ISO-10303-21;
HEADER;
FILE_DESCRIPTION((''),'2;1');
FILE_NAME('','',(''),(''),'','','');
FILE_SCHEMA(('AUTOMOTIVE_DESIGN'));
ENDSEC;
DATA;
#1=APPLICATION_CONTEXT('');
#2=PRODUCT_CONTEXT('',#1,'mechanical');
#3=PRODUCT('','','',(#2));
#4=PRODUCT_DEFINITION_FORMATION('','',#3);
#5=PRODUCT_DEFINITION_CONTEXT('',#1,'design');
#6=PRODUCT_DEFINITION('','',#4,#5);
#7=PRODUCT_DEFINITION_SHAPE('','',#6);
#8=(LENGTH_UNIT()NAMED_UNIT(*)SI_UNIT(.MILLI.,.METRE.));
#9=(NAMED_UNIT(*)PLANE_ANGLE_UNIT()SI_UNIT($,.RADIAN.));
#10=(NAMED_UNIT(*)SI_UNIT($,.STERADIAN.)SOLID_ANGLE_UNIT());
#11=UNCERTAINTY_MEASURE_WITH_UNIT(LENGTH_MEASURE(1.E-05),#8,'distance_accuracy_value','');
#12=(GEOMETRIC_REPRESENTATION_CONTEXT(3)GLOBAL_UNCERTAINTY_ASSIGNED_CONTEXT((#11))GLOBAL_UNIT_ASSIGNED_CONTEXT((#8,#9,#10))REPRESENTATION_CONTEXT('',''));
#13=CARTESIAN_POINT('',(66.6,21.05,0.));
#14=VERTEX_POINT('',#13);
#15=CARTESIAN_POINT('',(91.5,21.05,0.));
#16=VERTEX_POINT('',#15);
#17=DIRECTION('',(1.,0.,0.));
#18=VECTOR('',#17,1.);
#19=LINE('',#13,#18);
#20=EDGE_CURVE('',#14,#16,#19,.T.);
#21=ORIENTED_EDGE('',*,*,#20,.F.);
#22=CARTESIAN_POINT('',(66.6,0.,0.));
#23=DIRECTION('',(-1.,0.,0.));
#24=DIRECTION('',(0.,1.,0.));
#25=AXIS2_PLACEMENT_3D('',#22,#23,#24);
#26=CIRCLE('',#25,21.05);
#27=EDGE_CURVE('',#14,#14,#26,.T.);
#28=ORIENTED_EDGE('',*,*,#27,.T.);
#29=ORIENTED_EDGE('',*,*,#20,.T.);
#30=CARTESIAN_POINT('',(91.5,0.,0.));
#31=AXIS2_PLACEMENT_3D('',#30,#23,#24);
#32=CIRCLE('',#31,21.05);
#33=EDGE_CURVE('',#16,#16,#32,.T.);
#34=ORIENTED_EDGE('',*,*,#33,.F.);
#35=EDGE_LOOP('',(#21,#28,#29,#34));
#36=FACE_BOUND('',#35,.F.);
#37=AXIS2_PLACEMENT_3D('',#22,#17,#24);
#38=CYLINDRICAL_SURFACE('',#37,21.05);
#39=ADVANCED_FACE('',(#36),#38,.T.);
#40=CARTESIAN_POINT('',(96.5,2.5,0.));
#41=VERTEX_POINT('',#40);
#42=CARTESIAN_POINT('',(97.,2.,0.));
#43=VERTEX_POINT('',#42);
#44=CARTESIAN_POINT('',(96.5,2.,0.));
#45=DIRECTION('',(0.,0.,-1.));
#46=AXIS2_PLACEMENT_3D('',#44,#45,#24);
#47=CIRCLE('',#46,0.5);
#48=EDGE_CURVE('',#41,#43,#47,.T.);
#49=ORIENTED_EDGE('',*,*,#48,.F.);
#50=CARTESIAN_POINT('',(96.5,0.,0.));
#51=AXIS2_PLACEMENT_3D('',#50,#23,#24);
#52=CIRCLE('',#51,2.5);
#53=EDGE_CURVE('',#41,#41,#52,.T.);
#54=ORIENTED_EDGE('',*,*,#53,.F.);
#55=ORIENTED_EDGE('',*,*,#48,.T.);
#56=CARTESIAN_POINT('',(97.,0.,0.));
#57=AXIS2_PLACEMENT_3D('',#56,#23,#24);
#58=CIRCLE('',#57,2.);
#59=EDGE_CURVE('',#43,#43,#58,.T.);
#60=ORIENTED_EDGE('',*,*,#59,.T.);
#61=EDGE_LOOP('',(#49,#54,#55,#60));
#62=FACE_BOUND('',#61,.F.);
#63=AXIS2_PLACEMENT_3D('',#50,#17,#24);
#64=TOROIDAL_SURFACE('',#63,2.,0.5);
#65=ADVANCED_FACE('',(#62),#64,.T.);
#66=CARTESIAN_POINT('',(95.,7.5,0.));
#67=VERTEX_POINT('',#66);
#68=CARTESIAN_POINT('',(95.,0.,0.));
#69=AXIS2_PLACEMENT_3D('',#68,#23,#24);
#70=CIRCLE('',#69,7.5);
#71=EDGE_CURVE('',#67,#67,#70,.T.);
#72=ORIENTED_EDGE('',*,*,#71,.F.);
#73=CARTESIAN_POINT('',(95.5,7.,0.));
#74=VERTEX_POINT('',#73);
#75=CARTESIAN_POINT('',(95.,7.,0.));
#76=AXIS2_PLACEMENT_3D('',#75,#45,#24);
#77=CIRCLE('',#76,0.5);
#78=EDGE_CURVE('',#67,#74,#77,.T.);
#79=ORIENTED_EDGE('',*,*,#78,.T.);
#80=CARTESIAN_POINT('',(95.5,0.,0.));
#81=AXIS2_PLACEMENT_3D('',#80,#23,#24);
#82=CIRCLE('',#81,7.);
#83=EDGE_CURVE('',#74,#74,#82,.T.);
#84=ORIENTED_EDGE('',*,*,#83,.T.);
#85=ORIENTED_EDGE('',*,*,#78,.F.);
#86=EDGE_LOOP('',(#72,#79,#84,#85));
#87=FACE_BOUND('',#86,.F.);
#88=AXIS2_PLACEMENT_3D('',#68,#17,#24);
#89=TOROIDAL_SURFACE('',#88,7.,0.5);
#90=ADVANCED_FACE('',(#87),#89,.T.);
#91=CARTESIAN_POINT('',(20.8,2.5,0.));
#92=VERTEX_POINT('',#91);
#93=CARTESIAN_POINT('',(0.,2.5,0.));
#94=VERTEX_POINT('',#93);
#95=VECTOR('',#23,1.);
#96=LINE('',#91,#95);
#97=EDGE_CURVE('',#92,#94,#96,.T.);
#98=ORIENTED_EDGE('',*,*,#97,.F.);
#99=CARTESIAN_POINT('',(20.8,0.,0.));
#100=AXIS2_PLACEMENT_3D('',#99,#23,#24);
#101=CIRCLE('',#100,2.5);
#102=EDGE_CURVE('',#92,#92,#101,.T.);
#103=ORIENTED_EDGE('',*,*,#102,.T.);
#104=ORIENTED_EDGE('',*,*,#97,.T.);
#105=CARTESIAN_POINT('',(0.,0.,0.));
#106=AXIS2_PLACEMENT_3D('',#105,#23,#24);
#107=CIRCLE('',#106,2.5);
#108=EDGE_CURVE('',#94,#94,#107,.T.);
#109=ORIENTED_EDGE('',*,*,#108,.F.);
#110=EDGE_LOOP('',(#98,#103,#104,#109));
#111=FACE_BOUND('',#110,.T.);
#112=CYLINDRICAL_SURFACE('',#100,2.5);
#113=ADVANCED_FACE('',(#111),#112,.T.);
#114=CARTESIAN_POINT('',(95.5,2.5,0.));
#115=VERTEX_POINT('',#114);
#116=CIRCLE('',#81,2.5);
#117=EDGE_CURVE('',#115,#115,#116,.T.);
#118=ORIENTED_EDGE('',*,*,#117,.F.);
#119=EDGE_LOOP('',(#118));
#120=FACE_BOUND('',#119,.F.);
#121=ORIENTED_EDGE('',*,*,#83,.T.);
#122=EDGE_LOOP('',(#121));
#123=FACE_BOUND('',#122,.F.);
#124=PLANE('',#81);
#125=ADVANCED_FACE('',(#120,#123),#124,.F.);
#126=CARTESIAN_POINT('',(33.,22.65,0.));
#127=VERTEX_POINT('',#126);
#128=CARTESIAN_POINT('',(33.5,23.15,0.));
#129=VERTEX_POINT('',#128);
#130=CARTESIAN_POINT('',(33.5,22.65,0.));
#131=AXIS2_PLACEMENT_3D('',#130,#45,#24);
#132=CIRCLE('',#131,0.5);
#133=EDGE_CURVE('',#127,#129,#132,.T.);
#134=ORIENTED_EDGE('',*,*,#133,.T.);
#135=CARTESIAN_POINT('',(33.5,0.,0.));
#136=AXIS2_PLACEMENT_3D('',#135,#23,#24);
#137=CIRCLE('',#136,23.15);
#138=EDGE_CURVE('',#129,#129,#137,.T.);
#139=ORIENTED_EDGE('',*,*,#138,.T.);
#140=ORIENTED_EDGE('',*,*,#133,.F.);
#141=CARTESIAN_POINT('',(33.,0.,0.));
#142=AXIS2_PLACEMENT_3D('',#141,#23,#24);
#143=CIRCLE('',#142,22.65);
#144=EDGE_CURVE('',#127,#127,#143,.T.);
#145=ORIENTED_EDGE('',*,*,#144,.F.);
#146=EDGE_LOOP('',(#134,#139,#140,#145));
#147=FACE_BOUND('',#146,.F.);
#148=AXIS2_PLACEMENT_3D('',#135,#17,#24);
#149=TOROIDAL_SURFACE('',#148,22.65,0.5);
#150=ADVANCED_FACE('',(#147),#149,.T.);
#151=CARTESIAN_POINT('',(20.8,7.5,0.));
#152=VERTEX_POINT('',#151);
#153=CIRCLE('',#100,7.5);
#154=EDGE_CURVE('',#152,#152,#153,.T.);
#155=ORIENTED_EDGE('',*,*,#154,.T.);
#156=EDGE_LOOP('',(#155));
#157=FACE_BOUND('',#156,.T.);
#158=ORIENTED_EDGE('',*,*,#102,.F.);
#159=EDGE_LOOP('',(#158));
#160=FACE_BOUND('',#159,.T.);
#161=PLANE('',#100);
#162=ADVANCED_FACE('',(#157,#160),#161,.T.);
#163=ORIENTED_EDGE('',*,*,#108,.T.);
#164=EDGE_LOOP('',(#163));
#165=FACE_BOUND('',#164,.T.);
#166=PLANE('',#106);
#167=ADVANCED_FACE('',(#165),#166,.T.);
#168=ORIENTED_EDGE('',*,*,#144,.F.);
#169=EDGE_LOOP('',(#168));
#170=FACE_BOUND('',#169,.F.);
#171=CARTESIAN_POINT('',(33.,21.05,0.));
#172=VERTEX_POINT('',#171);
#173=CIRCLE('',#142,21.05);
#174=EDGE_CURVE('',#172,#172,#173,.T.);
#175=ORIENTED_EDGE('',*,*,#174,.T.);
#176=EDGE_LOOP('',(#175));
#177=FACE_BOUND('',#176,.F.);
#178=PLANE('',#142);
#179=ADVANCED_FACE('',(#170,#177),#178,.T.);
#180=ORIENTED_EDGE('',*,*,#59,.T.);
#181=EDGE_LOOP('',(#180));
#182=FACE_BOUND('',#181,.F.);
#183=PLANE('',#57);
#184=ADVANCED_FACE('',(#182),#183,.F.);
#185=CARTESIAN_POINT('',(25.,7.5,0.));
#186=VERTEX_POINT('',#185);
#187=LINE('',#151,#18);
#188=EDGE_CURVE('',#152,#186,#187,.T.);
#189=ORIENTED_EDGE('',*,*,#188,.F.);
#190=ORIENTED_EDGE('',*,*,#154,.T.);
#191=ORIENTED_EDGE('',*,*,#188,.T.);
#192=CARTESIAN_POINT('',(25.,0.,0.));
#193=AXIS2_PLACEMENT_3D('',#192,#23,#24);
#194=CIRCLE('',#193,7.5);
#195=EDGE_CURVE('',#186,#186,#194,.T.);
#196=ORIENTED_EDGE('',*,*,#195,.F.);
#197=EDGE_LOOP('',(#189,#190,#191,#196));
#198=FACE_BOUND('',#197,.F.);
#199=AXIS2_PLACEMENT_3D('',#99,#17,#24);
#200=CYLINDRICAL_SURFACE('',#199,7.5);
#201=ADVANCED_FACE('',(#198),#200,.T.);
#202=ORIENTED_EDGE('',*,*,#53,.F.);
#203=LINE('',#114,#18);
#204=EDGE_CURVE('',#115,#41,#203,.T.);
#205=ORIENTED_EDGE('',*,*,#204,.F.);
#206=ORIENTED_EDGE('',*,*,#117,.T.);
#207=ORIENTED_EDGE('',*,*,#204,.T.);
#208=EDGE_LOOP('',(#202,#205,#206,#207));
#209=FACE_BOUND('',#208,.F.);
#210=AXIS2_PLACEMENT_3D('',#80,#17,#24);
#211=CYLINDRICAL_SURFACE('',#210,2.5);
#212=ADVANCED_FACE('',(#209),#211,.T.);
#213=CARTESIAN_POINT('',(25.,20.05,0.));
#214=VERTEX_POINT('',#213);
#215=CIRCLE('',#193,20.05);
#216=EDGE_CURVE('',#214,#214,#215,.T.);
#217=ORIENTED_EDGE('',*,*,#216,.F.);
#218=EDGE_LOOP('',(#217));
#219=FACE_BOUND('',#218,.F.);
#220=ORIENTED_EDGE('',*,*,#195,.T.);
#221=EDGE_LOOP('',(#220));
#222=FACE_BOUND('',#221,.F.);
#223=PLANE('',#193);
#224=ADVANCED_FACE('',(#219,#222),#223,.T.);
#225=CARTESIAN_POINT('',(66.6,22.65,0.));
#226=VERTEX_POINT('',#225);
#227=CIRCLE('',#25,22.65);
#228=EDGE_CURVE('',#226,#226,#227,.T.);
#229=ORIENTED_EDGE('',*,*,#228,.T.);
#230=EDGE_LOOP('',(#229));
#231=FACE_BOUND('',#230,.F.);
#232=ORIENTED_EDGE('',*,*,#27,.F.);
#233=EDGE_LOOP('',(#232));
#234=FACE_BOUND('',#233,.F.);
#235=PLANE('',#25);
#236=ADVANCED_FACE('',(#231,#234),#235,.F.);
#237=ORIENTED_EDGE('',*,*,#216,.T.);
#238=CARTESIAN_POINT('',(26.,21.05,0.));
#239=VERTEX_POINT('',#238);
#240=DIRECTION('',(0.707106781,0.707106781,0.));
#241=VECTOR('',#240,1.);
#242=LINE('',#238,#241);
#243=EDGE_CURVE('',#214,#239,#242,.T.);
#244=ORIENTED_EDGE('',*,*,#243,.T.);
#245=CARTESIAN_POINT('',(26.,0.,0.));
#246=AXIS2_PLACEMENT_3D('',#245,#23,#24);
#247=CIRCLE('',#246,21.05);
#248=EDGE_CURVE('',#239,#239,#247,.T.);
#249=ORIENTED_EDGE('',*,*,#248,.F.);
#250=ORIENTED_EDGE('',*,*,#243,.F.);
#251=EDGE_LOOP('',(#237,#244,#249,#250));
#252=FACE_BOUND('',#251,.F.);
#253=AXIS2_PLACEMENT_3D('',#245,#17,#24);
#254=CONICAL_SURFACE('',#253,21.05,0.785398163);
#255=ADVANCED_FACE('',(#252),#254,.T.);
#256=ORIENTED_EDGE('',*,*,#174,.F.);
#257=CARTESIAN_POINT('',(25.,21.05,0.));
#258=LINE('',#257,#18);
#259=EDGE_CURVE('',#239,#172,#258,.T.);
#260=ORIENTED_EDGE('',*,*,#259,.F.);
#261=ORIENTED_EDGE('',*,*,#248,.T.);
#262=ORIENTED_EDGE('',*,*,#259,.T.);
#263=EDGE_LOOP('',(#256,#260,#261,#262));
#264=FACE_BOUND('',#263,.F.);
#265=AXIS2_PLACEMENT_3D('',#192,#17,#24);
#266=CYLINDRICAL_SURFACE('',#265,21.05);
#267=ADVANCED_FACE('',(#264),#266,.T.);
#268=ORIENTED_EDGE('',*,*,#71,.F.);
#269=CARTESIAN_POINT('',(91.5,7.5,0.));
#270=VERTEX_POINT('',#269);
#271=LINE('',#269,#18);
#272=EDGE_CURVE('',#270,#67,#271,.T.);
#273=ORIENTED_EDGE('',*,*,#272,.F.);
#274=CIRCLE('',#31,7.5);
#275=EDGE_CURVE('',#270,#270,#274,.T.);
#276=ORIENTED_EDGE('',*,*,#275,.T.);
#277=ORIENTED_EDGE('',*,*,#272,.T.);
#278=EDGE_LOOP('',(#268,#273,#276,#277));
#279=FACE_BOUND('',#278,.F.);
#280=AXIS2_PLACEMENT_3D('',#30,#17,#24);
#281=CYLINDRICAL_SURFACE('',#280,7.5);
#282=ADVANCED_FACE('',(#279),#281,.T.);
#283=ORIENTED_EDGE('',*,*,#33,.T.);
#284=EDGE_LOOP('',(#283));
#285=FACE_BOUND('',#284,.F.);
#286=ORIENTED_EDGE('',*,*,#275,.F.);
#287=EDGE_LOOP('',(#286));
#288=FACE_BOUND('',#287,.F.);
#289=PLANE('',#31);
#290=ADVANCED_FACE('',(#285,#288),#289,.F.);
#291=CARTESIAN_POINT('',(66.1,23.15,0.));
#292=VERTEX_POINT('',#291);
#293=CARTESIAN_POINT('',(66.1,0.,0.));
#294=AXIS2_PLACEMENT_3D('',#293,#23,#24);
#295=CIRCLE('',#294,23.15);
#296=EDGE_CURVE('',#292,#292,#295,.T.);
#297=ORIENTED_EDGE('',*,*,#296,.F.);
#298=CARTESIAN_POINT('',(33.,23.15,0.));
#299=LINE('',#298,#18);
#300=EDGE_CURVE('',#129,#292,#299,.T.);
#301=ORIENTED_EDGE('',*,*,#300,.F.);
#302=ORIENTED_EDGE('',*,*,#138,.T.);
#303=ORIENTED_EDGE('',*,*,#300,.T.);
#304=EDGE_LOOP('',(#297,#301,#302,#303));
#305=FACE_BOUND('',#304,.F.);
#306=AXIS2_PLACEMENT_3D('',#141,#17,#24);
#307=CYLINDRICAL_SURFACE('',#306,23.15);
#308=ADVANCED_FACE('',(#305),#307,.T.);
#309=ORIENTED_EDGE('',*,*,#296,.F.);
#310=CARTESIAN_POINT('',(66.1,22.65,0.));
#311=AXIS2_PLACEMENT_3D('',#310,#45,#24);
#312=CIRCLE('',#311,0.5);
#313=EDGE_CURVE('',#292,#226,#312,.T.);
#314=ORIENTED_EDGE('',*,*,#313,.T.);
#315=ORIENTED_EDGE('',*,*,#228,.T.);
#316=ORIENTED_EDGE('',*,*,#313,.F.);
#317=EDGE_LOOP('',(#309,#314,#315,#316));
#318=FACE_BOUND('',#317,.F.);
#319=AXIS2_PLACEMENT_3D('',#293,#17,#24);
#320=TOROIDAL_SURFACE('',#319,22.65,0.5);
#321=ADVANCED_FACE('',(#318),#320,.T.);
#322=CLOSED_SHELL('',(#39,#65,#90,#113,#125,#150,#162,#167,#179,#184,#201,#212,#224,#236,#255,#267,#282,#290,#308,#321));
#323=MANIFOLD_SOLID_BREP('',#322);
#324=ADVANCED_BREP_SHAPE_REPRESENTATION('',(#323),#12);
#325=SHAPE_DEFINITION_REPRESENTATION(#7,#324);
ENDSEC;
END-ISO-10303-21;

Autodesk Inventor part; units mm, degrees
ref_plane "YZ Plane" through (0, 0, 0) normal (1, 0, 0) x (0, 1, 0)
ref_plane "XZ Plane" through (0, 0, 0) normal (0, 1, 0) x (-1, 0, 0)
ref_plane "XY Plane" through (0, 0, 0) normal (0, 0, 1) x (1, 0, 0)
sketch "スケッチ1" plane through (0, 0, 0) normal (0, 0, 1) x (1, 0, 0)
  line L0 (20.8, 7.5) -> (25, 7.5)
  line L1 (25, 7.5) -> (25, 21.05)
  line L2 (25, 21.05) -> (33, 21.05)
  line L3 (33, 21.05) -> (33, 23.15)
  line L4 (33, 23.15) -> (66.6, 23.15)
  line L5 (66.6, 23.15) -> (66.6, 21.05)
  line L6 (66.6, 21.05) -> (91.5, 21.05)
  line L7 (91.5, 21.05) -> (91.5, 7.5)
  line L8 (91.5, 7.5) -> (95.5, 7.5)
  line L9 (95.5, 7.5) -> (95.5, 2.5)
  line L10 (95.5, 2.5) -> (97, 2.5)
  line L11 (97, 2.5) -> (97, 0)
  line L12 (97, 0) -> (0, 0)
  line L13 (20.8, 7.5) -> (20.8, 2.5)
  line L14 (20.8, 2.5) -> (0, 2.5)
  line L15 (0, 2.5) -> (0, 0)
  dimension "d1" = 4.2
  dimension "d2" = 21.05
  dimension "d3" = 23.15
  dimension "d4" = 8
  dimension "d5" = 33.6
  dimension "d6" = 66.5
  dimension "d7" = 7.5
  dimension "d8" = 4
  dimension "d9" = 7.5
  dimension "d10" = 97
  dimension "d11" = 25
  dimension "d12" = 2.5
  dimension "d13" = 2.5
revolve "回転1" add sketch "スケッチ1" angle 360 about axis through (97, 0, 0) along (-1, 0, 0)
chamfer "面取り1" distance 1 angle 45 1 edges at (25, -21.05, 0)
fillet "フィレット1" radius 0.5 4 edges at (33, -23.15, 0) (66.6, -23.15, 0) (95.5, -7.5, 0) (97, -2.5, 0)
properties part number "RS-775"
